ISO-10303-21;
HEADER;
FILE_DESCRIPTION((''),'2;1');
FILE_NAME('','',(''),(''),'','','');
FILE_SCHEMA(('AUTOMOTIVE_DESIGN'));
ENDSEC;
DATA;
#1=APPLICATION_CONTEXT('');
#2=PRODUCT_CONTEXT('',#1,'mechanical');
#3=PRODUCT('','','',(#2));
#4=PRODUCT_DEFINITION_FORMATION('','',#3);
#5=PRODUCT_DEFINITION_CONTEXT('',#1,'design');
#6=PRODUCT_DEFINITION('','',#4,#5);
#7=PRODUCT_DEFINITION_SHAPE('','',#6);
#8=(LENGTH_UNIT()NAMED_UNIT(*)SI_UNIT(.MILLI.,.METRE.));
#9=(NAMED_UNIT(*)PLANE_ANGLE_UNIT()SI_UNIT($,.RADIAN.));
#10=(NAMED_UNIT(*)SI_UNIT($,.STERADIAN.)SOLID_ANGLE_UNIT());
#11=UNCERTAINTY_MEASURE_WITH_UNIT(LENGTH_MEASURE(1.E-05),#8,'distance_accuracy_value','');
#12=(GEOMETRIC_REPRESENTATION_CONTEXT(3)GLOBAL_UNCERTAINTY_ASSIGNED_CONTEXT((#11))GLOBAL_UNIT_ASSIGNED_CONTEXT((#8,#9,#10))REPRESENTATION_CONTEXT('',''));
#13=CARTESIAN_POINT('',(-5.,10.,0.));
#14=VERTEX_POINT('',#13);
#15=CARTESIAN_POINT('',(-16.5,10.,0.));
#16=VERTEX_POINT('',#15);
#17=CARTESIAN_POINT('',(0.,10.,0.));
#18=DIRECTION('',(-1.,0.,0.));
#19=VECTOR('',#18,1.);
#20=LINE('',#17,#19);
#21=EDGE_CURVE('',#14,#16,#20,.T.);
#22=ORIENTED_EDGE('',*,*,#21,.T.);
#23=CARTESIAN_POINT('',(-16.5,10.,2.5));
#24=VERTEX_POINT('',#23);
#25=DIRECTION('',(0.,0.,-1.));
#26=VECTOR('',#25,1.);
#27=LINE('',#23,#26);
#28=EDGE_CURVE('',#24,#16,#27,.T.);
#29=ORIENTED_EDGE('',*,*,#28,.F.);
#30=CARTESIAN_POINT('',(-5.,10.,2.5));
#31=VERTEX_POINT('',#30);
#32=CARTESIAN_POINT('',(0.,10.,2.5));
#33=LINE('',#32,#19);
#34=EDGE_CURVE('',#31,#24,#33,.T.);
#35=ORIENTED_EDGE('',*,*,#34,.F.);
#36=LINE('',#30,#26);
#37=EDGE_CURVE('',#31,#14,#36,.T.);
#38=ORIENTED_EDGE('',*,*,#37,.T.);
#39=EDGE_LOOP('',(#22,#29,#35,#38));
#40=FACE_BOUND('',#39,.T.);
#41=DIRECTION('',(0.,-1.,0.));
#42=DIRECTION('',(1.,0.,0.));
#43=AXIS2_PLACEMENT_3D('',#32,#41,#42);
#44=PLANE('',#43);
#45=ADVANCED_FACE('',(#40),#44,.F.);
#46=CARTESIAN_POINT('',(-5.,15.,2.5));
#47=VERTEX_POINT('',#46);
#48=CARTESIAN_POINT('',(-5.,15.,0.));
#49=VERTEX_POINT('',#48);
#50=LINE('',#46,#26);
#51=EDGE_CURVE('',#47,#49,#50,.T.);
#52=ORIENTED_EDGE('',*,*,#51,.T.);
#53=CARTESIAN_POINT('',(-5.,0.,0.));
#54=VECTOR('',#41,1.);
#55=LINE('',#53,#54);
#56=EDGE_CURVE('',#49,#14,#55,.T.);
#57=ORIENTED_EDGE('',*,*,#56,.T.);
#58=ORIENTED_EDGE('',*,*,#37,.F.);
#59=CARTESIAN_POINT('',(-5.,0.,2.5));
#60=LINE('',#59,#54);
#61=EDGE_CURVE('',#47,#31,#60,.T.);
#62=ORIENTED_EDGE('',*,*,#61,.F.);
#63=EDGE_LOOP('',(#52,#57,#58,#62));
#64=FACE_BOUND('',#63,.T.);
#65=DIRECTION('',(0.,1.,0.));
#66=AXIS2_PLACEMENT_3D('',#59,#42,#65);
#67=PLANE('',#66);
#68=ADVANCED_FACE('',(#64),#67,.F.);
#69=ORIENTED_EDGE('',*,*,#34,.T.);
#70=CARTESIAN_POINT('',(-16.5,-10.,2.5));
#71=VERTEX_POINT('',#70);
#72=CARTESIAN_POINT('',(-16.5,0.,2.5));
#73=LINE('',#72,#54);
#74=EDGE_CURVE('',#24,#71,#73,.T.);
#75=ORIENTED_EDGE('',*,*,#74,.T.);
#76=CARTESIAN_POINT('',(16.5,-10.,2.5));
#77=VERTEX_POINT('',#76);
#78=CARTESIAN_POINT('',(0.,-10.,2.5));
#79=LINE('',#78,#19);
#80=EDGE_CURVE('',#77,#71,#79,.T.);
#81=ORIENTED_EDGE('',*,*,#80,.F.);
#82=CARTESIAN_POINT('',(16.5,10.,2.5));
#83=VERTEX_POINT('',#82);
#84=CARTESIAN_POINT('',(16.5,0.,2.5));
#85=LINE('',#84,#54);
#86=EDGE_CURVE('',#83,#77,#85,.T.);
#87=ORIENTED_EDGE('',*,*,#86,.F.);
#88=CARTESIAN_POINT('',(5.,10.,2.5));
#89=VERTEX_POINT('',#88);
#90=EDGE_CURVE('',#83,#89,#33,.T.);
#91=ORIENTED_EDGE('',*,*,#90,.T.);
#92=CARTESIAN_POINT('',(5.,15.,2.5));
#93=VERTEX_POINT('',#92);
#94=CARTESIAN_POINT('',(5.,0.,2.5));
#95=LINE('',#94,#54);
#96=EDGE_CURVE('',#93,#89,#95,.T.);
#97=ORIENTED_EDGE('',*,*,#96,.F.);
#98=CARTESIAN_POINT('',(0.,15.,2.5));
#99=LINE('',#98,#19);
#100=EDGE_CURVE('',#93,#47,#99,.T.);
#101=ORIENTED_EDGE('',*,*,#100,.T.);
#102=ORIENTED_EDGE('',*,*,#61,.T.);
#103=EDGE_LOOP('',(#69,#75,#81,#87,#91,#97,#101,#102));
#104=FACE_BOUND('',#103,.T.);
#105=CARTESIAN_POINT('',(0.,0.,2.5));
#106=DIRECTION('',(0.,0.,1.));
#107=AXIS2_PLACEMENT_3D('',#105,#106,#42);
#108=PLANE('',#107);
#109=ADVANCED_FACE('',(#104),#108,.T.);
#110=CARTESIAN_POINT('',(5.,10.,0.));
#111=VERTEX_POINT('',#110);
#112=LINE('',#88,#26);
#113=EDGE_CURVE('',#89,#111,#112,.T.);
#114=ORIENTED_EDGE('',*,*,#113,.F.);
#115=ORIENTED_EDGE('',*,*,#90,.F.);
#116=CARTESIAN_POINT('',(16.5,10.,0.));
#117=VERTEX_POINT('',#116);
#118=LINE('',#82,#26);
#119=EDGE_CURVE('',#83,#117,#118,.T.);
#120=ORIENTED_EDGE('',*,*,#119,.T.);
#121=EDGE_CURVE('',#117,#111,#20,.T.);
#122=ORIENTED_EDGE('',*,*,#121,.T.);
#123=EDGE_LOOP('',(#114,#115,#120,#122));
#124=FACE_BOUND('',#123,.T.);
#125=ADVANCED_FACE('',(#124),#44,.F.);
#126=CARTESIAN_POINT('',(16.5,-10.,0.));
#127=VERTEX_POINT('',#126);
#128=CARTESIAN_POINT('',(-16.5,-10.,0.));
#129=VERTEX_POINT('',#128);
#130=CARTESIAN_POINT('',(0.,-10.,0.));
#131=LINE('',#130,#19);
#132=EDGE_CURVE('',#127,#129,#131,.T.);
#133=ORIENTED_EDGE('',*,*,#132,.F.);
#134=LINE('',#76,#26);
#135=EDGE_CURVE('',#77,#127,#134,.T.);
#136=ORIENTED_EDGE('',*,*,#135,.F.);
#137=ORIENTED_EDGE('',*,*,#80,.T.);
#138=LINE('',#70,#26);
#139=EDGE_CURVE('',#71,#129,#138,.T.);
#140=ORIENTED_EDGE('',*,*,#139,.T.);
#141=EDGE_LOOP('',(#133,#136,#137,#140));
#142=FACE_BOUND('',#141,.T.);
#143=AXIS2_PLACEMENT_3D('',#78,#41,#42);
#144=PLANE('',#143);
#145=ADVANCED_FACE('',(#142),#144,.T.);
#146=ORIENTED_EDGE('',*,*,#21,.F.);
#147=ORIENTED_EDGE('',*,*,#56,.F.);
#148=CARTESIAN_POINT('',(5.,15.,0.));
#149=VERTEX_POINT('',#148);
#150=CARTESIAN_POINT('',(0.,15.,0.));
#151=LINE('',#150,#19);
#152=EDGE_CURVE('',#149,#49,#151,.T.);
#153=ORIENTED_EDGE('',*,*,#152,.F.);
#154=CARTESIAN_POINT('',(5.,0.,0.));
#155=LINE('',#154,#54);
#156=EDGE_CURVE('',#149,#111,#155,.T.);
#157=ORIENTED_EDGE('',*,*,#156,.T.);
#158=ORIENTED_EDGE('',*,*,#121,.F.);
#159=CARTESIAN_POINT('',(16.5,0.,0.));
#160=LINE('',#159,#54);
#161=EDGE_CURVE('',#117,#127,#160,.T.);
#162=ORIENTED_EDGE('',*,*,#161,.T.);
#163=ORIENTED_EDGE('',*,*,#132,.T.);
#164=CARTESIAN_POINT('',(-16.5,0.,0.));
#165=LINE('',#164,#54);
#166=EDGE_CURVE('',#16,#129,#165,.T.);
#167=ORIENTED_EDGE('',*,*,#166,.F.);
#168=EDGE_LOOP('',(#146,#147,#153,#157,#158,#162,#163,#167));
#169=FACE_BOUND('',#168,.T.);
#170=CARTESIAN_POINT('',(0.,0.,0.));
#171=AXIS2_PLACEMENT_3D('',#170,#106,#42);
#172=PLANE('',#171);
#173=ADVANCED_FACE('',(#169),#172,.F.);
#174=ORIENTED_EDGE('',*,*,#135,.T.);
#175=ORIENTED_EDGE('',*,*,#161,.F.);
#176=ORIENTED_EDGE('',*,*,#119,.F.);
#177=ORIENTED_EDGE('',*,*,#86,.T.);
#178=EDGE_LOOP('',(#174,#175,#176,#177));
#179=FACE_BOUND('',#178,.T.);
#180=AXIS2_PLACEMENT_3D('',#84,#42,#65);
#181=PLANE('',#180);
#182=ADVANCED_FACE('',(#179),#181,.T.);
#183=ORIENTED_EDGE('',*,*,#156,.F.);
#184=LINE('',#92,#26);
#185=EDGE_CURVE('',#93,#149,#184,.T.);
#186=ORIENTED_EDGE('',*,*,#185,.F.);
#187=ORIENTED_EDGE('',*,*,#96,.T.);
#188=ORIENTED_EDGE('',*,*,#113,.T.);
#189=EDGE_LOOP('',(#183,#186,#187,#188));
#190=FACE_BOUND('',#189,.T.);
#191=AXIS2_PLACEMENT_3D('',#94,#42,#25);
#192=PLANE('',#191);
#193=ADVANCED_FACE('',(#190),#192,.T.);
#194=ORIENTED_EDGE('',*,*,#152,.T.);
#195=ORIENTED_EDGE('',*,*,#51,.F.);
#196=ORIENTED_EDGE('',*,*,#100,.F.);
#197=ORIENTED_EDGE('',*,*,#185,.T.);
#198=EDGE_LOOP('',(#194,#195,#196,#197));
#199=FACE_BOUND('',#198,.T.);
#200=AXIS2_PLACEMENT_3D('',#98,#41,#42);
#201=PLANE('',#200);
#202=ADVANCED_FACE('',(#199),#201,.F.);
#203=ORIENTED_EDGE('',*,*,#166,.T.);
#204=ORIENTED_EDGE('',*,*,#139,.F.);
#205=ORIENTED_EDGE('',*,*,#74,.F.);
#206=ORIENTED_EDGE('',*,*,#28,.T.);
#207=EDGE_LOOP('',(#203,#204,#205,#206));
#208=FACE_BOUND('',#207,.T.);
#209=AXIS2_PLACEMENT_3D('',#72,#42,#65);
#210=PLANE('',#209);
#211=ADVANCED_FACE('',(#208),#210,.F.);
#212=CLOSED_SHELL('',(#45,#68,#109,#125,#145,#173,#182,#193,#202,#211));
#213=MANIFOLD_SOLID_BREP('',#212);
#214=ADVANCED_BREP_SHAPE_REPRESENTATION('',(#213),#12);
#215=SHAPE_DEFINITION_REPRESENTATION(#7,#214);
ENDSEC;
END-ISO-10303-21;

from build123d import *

# Parameters (mm, degrees)
SKETCH1_W           = 10
SKETCH1_H           = 5
SKETCH1_W_2         = 33
SKETCH1_H_2         = 20
BOSS_EXTRUDE1_DEPTH = 2.5


with BuildPart() as part:
    # Sketch1 → Boss-Extrude1 (new body)
    with BuildSketch(Plane.XY):
        with Locations((0, 12.5)):
            Rectangle(SKETCH1_W, SKETCH1_H)
        Rectangle(SKETCH1_W_2, SKETCH1_H_2)
    extrude(amount=BOSS_EXTRUDE1_DEPTH)


solid = part.part
